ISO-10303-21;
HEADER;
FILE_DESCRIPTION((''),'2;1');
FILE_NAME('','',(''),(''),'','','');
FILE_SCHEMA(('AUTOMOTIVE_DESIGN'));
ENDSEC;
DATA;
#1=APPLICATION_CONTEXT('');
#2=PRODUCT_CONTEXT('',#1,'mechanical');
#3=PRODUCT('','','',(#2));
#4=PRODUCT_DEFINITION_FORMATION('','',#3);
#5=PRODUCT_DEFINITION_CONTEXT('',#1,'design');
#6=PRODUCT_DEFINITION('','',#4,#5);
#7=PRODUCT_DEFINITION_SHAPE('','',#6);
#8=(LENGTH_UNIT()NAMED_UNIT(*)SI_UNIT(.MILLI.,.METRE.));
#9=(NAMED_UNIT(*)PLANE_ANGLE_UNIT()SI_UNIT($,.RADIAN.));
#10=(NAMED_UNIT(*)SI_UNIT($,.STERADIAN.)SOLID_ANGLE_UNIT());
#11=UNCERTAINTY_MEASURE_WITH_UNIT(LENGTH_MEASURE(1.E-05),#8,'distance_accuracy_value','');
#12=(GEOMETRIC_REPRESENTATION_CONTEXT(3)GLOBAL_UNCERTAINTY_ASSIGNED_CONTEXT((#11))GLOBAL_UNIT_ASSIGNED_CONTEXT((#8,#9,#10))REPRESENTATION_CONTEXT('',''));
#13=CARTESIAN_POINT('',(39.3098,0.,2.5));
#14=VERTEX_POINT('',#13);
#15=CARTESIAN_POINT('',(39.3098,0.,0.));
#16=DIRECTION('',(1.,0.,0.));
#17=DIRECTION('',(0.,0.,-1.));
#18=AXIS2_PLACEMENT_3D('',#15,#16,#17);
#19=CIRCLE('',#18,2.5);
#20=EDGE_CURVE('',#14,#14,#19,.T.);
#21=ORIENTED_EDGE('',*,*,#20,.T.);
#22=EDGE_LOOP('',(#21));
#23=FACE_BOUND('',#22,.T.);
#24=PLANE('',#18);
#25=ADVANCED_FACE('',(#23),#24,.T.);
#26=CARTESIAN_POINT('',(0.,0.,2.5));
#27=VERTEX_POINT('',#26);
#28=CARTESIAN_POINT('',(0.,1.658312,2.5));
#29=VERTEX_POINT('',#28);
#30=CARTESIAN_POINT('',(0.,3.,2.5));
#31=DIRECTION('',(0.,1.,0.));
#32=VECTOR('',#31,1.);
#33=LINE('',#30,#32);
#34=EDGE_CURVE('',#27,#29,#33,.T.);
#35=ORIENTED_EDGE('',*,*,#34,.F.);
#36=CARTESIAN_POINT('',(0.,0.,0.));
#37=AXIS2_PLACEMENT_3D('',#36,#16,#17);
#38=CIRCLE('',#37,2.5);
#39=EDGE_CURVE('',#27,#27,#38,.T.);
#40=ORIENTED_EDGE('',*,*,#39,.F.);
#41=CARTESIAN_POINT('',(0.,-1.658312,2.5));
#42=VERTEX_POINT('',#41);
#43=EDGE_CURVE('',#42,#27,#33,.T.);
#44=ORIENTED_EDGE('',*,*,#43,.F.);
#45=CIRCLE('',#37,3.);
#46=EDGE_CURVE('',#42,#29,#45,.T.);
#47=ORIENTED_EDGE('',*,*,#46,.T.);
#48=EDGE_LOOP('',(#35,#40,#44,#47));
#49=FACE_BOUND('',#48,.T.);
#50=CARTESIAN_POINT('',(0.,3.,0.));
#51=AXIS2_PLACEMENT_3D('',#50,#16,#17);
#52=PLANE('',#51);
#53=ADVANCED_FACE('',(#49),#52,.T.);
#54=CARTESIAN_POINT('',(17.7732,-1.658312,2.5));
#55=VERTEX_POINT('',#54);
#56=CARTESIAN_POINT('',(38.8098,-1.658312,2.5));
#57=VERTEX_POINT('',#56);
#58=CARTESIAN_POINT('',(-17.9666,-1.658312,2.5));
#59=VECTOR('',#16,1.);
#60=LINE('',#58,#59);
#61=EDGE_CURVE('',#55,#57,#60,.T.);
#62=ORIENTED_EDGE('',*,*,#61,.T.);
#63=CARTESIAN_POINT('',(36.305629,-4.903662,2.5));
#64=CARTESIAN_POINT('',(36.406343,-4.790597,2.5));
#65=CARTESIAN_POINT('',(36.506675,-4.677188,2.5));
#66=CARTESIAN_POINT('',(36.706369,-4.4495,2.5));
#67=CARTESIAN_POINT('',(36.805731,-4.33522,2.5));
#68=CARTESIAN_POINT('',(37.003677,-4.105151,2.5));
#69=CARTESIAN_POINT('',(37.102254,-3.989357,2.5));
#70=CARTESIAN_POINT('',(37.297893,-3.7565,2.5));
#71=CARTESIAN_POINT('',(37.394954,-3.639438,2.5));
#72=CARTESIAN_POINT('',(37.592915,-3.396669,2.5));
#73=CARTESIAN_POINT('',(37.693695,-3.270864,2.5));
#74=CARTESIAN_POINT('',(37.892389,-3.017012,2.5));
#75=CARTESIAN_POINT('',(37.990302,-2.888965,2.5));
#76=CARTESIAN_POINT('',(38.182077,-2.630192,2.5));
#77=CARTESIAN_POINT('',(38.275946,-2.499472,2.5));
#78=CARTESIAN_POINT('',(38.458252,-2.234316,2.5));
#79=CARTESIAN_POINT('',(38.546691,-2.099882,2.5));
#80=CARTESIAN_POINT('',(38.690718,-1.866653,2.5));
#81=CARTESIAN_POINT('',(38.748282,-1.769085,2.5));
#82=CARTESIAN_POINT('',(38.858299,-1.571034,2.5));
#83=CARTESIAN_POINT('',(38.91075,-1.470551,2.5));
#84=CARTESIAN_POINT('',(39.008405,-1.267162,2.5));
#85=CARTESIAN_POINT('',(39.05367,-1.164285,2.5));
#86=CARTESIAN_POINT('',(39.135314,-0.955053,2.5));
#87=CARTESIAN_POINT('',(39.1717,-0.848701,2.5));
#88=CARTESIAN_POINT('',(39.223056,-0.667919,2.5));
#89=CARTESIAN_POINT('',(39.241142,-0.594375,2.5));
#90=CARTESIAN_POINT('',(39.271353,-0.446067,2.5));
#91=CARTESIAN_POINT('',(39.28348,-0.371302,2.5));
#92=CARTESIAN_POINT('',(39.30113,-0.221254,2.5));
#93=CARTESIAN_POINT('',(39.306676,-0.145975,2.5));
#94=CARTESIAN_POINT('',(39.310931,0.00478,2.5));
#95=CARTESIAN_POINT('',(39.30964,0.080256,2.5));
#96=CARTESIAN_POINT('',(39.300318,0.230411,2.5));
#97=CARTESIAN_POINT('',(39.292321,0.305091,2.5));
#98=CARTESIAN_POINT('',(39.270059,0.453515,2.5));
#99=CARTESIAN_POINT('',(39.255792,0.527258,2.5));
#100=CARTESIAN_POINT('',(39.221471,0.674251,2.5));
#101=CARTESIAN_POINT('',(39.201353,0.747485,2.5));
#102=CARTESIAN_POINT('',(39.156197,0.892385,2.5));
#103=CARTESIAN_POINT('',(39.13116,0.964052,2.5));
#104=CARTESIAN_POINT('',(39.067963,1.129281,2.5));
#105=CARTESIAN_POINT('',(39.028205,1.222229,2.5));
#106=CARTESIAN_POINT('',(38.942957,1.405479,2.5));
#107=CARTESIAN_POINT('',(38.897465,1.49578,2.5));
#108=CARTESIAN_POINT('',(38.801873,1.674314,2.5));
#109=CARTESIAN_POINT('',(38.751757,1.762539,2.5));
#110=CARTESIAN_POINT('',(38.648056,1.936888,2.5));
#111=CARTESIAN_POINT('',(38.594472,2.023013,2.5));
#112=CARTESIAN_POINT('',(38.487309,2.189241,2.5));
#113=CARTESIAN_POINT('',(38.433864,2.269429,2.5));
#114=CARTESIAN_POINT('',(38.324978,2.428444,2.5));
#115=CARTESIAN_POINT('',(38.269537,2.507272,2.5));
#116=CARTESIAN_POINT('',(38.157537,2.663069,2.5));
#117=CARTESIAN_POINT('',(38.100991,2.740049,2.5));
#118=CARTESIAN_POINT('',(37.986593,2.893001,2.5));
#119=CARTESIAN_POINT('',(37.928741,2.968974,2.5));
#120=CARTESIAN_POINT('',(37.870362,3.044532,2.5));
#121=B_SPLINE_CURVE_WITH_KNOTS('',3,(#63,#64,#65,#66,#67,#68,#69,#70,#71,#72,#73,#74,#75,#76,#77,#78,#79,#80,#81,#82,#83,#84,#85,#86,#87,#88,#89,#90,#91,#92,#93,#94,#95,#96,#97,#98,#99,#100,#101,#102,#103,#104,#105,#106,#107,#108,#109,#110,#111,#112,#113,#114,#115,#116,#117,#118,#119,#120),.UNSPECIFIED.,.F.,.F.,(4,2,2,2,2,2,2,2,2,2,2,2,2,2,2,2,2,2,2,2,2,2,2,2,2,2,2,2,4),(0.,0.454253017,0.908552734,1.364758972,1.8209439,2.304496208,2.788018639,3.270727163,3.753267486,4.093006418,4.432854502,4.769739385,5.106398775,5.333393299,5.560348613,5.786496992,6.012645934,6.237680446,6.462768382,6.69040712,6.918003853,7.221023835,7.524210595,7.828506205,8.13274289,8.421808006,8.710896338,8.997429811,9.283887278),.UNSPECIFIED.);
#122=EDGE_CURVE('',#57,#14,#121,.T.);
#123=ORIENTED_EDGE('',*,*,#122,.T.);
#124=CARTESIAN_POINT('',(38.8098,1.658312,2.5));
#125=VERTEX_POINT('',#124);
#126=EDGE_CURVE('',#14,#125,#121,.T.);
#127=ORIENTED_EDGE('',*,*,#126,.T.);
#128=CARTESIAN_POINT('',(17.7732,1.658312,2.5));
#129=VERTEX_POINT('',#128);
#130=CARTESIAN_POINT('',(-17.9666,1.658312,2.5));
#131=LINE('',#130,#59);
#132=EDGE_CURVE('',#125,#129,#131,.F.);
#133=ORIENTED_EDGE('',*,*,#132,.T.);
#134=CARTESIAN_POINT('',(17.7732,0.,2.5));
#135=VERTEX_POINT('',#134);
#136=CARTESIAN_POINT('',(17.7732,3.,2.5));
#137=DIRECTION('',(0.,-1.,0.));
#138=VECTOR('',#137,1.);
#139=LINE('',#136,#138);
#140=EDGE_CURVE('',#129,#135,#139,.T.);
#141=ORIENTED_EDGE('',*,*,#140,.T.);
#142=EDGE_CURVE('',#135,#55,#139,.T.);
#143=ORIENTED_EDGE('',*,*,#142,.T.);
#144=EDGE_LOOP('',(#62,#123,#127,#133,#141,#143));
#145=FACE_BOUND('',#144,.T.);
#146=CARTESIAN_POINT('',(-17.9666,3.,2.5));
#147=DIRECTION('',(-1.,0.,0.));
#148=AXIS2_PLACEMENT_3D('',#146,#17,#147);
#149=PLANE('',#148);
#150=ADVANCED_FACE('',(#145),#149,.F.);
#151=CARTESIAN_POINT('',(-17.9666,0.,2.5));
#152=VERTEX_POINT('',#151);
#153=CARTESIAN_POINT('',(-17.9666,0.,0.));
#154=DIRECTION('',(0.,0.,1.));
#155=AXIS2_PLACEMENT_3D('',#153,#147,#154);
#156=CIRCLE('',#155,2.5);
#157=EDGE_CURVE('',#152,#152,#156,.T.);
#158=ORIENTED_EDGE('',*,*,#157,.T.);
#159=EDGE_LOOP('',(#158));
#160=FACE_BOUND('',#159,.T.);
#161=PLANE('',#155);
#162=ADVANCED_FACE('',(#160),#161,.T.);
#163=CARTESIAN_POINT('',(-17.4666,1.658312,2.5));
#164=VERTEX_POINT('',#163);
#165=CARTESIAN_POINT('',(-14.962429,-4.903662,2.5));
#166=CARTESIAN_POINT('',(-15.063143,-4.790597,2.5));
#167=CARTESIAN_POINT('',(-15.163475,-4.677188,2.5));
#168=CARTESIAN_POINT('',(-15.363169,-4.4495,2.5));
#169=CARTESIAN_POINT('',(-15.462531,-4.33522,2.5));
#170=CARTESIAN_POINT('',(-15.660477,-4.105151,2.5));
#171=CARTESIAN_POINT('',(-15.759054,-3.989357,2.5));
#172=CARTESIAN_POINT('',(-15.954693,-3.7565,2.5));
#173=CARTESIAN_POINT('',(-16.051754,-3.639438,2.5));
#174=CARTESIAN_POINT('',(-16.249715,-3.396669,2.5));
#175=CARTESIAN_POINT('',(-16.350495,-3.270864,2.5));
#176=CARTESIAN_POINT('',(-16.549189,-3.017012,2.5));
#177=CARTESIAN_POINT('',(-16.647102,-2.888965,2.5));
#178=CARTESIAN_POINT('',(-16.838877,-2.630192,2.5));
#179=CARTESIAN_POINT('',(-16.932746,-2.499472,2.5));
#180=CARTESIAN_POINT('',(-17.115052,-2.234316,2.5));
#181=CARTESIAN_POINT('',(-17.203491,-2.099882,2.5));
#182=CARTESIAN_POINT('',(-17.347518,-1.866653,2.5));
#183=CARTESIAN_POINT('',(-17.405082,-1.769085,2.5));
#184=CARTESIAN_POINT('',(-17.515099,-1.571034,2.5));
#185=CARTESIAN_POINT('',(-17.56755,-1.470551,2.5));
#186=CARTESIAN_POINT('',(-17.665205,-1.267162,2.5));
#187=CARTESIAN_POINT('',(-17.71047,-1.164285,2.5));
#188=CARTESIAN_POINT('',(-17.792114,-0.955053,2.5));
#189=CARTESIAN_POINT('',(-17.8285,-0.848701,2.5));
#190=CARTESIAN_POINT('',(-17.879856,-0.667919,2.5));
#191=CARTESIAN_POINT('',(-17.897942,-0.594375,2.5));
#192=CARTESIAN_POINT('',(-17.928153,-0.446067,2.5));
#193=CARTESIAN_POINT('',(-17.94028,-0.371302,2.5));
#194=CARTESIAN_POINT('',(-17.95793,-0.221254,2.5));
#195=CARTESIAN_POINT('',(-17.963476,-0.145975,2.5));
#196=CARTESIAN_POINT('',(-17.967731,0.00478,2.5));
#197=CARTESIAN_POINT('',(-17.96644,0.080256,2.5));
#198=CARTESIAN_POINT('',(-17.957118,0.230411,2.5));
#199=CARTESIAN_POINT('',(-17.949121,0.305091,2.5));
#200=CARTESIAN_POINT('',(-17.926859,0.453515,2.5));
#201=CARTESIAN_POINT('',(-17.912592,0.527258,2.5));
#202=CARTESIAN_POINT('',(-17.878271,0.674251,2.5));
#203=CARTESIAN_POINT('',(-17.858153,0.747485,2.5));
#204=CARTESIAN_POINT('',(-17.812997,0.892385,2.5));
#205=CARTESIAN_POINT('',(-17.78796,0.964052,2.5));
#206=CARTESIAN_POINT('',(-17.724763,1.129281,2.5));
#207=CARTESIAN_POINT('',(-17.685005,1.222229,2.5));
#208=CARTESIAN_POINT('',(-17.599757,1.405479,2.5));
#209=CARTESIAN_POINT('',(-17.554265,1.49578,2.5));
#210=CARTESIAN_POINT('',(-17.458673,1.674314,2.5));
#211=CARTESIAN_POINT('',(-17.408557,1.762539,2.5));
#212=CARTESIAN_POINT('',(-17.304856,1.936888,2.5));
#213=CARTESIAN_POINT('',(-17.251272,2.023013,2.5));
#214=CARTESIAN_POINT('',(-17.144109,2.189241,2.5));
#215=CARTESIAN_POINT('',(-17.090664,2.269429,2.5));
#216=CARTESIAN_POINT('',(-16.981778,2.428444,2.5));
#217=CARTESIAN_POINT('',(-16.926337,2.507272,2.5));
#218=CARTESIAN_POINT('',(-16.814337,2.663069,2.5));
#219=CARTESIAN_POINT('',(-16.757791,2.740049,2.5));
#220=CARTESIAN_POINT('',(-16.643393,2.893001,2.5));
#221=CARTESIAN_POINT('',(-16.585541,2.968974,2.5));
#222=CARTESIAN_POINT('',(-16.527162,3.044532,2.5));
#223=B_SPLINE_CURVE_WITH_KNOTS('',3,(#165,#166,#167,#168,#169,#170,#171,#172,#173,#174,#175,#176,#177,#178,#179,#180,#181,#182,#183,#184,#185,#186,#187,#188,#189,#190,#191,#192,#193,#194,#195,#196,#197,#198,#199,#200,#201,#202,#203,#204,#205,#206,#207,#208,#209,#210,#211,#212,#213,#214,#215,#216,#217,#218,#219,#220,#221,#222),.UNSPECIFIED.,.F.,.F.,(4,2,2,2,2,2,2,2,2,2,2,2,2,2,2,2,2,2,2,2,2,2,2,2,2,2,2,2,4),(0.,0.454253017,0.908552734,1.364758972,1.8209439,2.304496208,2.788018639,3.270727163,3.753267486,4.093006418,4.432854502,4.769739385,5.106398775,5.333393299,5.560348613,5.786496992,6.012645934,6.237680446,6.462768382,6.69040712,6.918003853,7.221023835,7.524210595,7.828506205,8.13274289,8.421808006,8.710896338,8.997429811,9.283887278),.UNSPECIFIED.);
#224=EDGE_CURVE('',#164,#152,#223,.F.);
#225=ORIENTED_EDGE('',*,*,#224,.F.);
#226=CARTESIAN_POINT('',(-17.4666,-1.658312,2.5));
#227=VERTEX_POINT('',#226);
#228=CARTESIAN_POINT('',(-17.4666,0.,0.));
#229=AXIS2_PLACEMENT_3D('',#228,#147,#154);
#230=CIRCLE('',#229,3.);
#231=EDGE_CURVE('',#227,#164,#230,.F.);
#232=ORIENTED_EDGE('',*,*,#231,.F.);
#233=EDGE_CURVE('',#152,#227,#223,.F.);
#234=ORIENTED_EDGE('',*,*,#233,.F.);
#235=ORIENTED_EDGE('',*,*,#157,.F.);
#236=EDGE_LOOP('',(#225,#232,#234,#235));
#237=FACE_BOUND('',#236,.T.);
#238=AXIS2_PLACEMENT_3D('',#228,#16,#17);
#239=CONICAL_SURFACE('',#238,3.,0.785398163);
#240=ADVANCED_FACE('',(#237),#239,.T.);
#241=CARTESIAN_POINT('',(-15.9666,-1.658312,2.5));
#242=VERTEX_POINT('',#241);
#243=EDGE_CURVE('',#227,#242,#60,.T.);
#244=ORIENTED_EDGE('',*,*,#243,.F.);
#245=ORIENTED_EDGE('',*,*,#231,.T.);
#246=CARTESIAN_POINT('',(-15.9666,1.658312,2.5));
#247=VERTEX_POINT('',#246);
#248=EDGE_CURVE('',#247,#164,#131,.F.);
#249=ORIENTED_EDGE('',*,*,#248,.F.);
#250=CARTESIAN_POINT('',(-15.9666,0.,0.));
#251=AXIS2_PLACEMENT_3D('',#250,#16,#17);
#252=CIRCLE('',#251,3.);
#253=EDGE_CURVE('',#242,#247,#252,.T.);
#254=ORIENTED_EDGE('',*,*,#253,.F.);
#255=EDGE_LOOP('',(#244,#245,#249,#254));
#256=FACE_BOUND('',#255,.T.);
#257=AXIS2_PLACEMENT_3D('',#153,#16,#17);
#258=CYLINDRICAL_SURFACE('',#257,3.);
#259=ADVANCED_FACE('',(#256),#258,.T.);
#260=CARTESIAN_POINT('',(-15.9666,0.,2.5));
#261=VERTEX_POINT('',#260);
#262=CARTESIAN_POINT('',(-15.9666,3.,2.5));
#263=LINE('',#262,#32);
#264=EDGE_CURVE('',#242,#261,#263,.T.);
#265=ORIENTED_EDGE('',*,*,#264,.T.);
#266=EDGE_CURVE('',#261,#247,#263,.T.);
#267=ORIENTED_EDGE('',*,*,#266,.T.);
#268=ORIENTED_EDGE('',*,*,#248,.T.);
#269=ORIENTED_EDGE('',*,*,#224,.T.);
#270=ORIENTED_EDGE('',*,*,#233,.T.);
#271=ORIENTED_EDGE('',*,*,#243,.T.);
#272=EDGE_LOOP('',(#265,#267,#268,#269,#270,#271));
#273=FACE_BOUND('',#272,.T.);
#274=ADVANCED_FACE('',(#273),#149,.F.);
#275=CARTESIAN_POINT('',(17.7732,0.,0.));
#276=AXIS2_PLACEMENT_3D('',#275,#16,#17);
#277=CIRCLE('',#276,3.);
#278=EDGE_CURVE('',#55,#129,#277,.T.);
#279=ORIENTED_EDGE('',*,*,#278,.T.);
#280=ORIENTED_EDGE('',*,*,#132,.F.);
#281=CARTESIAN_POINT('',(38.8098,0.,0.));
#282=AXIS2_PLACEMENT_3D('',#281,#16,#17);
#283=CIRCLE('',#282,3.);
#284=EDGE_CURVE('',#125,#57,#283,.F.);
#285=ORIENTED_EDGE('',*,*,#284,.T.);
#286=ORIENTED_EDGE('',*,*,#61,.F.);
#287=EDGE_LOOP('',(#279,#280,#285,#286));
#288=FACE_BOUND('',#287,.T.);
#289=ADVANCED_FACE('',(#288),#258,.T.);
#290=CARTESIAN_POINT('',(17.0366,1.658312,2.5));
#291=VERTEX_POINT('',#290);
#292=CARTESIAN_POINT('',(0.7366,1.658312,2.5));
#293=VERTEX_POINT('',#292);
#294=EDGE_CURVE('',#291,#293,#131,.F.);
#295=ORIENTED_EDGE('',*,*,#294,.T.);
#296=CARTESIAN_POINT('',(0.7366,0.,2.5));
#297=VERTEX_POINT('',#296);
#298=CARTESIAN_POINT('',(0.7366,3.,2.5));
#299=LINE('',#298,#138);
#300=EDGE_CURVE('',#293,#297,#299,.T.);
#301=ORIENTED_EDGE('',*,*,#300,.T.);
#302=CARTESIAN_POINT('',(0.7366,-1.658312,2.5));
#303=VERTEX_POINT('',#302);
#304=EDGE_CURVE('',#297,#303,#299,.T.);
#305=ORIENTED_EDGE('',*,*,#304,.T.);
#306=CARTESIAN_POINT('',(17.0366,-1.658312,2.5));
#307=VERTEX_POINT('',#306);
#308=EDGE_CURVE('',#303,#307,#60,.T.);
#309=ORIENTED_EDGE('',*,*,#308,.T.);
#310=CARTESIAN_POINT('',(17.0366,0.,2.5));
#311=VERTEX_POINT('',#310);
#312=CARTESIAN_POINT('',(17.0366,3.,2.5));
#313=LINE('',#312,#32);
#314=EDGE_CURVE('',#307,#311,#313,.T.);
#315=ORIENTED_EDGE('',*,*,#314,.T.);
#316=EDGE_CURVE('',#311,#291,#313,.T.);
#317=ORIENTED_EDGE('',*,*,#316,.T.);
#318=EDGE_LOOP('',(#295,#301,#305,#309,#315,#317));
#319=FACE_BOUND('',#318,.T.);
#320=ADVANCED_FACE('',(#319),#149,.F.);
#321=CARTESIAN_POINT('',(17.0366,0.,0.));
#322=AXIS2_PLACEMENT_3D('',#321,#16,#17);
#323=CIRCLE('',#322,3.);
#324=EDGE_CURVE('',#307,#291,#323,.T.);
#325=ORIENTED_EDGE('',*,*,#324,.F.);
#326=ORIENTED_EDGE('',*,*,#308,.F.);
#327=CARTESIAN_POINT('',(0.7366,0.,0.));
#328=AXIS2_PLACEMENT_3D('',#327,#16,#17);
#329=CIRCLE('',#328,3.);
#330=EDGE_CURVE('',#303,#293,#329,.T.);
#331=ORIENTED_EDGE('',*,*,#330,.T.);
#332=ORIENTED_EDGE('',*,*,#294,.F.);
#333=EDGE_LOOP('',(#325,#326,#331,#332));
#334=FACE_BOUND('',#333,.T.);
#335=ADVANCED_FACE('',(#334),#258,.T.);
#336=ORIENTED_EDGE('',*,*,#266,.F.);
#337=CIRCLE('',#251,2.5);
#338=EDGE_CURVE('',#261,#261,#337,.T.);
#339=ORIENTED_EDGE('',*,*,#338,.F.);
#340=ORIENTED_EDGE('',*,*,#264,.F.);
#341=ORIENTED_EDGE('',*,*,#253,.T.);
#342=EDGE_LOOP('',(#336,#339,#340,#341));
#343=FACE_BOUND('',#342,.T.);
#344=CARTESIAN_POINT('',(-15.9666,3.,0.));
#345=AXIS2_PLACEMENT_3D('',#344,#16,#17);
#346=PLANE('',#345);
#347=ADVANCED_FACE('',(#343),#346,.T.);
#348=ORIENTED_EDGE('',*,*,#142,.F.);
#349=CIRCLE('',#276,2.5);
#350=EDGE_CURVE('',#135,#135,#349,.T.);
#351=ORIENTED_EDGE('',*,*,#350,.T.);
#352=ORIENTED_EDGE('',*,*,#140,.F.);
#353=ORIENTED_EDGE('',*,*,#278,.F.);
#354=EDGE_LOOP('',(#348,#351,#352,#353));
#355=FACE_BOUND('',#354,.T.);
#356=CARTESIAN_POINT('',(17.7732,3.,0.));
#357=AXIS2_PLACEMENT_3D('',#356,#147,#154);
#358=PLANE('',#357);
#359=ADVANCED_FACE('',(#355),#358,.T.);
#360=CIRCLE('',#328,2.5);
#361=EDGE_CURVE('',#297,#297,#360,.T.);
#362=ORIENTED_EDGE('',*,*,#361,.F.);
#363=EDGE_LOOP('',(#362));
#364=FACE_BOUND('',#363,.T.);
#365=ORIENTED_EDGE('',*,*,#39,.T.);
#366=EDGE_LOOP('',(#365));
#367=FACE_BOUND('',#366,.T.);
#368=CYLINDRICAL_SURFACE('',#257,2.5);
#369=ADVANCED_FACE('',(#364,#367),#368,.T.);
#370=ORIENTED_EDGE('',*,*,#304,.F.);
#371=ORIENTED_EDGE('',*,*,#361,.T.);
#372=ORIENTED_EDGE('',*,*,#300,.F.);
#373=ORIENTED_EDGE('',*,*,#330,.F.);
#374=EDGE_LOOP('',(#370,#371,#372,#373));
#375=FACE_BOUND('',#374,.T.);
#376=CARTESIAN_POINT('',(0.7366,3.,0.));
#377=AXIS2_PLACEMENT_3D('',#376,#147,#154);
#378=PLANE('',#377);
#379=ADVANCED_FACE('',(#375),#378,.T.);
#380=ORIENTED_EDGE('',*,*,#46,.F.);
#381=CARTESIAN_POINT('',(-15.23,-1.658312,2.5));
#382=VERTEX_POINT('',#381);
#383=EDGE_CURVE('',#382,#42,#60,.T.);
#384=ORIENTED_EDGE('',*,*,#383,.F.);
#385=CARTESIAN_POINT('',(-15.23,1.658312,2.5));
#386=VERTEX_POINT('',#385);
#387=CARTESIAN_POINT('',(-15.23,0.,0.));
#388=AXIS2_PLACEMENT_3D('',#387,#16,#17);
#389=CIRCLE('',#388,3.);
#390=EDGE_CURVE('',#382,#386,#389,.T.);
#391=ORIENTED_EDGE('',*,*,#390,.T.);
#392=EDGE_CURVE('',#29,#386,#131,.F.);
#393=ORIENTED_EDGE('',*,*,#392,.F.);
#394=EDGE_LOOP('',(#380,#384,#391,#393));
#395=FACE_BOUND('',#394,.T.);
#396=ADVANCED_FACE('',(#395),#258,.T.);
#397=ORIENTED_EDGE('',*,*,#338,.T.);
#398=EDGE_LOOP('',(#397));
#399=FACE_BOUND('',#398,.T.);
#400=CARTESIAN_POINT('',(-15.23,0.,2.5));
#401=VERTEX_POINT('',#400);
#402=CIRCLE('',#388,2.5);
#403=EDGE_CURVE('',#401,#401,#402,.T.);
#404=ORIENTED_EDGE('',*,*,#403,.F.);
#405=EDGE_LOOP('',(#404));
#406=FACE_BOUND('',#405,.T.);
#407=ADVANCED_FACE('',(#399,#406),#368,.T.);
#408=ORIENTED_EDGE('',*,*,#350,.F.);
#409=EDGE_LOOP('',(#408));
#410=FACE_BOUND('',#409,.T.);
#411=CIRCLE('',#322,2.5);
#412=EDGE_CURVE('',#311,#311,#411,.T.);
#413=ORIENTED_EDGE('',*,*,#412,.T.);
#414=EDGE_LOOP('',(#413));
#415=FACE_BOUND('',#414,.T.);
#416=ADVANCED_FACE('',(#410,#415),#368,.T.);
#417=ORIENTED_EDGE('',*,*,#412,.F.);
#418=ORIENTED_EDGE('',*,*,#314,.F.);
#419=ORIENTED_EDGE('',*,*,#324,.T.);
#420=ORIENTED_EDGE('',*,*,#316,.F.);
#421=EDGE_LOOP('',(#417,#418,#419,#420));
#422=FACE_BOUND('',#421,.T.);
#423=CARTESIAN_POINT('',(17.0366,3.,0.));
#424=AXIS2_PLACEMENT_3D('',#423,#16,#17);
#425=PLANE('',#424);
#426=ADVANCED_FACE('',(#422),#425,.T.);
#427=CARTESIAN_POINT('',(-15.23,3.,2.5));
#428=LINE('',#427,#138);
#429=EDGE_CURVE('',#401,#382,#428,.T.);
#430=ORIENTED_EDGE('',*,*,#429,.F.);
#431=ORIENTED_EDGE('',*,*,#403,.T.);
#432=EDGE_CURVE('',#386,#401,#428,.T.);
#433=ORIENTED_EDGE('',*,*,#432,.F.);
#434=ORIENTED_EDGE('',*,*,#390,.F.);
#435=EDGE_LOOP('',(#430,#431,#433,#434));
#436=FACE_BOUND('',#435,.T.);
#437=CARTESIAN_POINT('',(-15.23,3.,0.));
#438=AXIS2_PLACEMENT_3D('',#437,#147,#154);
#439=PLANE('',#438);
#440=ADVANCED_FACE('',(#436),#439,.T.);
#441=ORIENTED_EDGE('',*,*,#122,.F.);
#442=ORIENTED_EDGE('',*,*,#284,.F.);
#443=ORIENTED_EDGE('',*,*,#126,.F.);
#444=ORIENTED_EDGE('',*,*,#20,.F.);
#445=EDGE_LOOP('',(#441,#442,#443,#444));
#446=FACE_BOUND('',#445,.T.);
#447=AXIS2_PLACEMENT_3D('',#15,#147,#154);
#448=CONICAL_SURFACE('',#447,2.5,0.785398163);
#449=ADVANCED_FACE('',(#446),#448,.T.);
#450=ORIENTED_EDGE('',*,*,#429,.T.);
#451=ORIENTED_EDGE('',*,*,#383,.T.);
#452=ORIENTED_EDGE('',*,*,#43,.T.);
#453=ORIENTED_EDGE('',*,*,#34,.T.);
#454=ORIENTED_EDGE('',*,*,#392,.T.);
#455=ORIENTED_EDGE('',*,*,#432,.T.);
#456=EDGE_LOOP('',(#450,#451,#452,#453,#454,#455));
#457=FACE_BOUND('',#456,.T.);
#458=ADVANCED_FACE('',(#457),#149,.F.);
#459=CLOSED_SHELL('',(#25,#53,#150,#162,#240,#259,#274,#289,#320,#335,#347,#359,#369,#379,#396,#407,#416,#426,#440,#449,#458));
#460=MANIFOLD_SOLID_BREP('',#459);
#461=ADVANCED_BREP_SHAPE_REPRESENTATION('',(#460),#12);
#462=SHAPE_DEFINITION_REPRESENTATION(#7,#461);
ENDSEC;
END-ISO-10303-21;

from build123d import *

# Parameters (mm, degrees)
CHAMFER1_SIZE           = 0.5
CUT_EXTRUDE1_DEPTH      = 40.538087663
CUT_EXTRUDE1_DEPTH_BACK = 40.538087663
SKETCH2_W               = 2
SKETCH2_H               = 6


with BuildPart() as part:
    # Sketch1 → Revolve1 (revolve)
    with BuildSketch(Plane.XY):
        Polygon((-17.9666, 0), (39.3098, 0), (39.3098, 3), (37.3098, 3), (36.5732, 3), (17.7732, 3), (17.7732, 2.5), (17.0366, 2.5), (17.0366, 3), (0.7366, 3), (0.7366, 2.5), (0, 2.5), (0, 3), (-15.23, 3), (-15.23, 2.5), (-15.9666, 2.5), (-15.9666, 3), (-17.9666, 3), align=None)
    revolve(axis=Axis((-17.9666, 0, 0), (-1, 0, 0)))

    # Chamfer1
    chamfer1_edges = [part.edges().sort_by_distance(p)[0] for p in [
        (39.3098, -3, 0),
        (-17.9666, -3, 0),
    ]]
    chamfer(chamfer1_edges, length=CHAMFER1_SIZE)

    # Sketch2 → Cut-Extrude1 (cut, two sides: drawn at the far end of the back side and taken through both)
    with BuildSketch(Plane(origin=(0, 0, 0), x_dir=(0, 0, -1), z_dir=(1, 0, 0)).offset(-CUT_EXTRUDE1_DEPTH_BACK)):
        with Locations((-3.5, 0)):
            Rectangle(SKETCH2_W, SKETCH2_H)
    extrude(amount=CUT_EXTRUDE1_DEPTH + CUT_EXTRUDE1_DEPTH_BACK, mode=Mode.SUBTRACT)


solid = part.part
